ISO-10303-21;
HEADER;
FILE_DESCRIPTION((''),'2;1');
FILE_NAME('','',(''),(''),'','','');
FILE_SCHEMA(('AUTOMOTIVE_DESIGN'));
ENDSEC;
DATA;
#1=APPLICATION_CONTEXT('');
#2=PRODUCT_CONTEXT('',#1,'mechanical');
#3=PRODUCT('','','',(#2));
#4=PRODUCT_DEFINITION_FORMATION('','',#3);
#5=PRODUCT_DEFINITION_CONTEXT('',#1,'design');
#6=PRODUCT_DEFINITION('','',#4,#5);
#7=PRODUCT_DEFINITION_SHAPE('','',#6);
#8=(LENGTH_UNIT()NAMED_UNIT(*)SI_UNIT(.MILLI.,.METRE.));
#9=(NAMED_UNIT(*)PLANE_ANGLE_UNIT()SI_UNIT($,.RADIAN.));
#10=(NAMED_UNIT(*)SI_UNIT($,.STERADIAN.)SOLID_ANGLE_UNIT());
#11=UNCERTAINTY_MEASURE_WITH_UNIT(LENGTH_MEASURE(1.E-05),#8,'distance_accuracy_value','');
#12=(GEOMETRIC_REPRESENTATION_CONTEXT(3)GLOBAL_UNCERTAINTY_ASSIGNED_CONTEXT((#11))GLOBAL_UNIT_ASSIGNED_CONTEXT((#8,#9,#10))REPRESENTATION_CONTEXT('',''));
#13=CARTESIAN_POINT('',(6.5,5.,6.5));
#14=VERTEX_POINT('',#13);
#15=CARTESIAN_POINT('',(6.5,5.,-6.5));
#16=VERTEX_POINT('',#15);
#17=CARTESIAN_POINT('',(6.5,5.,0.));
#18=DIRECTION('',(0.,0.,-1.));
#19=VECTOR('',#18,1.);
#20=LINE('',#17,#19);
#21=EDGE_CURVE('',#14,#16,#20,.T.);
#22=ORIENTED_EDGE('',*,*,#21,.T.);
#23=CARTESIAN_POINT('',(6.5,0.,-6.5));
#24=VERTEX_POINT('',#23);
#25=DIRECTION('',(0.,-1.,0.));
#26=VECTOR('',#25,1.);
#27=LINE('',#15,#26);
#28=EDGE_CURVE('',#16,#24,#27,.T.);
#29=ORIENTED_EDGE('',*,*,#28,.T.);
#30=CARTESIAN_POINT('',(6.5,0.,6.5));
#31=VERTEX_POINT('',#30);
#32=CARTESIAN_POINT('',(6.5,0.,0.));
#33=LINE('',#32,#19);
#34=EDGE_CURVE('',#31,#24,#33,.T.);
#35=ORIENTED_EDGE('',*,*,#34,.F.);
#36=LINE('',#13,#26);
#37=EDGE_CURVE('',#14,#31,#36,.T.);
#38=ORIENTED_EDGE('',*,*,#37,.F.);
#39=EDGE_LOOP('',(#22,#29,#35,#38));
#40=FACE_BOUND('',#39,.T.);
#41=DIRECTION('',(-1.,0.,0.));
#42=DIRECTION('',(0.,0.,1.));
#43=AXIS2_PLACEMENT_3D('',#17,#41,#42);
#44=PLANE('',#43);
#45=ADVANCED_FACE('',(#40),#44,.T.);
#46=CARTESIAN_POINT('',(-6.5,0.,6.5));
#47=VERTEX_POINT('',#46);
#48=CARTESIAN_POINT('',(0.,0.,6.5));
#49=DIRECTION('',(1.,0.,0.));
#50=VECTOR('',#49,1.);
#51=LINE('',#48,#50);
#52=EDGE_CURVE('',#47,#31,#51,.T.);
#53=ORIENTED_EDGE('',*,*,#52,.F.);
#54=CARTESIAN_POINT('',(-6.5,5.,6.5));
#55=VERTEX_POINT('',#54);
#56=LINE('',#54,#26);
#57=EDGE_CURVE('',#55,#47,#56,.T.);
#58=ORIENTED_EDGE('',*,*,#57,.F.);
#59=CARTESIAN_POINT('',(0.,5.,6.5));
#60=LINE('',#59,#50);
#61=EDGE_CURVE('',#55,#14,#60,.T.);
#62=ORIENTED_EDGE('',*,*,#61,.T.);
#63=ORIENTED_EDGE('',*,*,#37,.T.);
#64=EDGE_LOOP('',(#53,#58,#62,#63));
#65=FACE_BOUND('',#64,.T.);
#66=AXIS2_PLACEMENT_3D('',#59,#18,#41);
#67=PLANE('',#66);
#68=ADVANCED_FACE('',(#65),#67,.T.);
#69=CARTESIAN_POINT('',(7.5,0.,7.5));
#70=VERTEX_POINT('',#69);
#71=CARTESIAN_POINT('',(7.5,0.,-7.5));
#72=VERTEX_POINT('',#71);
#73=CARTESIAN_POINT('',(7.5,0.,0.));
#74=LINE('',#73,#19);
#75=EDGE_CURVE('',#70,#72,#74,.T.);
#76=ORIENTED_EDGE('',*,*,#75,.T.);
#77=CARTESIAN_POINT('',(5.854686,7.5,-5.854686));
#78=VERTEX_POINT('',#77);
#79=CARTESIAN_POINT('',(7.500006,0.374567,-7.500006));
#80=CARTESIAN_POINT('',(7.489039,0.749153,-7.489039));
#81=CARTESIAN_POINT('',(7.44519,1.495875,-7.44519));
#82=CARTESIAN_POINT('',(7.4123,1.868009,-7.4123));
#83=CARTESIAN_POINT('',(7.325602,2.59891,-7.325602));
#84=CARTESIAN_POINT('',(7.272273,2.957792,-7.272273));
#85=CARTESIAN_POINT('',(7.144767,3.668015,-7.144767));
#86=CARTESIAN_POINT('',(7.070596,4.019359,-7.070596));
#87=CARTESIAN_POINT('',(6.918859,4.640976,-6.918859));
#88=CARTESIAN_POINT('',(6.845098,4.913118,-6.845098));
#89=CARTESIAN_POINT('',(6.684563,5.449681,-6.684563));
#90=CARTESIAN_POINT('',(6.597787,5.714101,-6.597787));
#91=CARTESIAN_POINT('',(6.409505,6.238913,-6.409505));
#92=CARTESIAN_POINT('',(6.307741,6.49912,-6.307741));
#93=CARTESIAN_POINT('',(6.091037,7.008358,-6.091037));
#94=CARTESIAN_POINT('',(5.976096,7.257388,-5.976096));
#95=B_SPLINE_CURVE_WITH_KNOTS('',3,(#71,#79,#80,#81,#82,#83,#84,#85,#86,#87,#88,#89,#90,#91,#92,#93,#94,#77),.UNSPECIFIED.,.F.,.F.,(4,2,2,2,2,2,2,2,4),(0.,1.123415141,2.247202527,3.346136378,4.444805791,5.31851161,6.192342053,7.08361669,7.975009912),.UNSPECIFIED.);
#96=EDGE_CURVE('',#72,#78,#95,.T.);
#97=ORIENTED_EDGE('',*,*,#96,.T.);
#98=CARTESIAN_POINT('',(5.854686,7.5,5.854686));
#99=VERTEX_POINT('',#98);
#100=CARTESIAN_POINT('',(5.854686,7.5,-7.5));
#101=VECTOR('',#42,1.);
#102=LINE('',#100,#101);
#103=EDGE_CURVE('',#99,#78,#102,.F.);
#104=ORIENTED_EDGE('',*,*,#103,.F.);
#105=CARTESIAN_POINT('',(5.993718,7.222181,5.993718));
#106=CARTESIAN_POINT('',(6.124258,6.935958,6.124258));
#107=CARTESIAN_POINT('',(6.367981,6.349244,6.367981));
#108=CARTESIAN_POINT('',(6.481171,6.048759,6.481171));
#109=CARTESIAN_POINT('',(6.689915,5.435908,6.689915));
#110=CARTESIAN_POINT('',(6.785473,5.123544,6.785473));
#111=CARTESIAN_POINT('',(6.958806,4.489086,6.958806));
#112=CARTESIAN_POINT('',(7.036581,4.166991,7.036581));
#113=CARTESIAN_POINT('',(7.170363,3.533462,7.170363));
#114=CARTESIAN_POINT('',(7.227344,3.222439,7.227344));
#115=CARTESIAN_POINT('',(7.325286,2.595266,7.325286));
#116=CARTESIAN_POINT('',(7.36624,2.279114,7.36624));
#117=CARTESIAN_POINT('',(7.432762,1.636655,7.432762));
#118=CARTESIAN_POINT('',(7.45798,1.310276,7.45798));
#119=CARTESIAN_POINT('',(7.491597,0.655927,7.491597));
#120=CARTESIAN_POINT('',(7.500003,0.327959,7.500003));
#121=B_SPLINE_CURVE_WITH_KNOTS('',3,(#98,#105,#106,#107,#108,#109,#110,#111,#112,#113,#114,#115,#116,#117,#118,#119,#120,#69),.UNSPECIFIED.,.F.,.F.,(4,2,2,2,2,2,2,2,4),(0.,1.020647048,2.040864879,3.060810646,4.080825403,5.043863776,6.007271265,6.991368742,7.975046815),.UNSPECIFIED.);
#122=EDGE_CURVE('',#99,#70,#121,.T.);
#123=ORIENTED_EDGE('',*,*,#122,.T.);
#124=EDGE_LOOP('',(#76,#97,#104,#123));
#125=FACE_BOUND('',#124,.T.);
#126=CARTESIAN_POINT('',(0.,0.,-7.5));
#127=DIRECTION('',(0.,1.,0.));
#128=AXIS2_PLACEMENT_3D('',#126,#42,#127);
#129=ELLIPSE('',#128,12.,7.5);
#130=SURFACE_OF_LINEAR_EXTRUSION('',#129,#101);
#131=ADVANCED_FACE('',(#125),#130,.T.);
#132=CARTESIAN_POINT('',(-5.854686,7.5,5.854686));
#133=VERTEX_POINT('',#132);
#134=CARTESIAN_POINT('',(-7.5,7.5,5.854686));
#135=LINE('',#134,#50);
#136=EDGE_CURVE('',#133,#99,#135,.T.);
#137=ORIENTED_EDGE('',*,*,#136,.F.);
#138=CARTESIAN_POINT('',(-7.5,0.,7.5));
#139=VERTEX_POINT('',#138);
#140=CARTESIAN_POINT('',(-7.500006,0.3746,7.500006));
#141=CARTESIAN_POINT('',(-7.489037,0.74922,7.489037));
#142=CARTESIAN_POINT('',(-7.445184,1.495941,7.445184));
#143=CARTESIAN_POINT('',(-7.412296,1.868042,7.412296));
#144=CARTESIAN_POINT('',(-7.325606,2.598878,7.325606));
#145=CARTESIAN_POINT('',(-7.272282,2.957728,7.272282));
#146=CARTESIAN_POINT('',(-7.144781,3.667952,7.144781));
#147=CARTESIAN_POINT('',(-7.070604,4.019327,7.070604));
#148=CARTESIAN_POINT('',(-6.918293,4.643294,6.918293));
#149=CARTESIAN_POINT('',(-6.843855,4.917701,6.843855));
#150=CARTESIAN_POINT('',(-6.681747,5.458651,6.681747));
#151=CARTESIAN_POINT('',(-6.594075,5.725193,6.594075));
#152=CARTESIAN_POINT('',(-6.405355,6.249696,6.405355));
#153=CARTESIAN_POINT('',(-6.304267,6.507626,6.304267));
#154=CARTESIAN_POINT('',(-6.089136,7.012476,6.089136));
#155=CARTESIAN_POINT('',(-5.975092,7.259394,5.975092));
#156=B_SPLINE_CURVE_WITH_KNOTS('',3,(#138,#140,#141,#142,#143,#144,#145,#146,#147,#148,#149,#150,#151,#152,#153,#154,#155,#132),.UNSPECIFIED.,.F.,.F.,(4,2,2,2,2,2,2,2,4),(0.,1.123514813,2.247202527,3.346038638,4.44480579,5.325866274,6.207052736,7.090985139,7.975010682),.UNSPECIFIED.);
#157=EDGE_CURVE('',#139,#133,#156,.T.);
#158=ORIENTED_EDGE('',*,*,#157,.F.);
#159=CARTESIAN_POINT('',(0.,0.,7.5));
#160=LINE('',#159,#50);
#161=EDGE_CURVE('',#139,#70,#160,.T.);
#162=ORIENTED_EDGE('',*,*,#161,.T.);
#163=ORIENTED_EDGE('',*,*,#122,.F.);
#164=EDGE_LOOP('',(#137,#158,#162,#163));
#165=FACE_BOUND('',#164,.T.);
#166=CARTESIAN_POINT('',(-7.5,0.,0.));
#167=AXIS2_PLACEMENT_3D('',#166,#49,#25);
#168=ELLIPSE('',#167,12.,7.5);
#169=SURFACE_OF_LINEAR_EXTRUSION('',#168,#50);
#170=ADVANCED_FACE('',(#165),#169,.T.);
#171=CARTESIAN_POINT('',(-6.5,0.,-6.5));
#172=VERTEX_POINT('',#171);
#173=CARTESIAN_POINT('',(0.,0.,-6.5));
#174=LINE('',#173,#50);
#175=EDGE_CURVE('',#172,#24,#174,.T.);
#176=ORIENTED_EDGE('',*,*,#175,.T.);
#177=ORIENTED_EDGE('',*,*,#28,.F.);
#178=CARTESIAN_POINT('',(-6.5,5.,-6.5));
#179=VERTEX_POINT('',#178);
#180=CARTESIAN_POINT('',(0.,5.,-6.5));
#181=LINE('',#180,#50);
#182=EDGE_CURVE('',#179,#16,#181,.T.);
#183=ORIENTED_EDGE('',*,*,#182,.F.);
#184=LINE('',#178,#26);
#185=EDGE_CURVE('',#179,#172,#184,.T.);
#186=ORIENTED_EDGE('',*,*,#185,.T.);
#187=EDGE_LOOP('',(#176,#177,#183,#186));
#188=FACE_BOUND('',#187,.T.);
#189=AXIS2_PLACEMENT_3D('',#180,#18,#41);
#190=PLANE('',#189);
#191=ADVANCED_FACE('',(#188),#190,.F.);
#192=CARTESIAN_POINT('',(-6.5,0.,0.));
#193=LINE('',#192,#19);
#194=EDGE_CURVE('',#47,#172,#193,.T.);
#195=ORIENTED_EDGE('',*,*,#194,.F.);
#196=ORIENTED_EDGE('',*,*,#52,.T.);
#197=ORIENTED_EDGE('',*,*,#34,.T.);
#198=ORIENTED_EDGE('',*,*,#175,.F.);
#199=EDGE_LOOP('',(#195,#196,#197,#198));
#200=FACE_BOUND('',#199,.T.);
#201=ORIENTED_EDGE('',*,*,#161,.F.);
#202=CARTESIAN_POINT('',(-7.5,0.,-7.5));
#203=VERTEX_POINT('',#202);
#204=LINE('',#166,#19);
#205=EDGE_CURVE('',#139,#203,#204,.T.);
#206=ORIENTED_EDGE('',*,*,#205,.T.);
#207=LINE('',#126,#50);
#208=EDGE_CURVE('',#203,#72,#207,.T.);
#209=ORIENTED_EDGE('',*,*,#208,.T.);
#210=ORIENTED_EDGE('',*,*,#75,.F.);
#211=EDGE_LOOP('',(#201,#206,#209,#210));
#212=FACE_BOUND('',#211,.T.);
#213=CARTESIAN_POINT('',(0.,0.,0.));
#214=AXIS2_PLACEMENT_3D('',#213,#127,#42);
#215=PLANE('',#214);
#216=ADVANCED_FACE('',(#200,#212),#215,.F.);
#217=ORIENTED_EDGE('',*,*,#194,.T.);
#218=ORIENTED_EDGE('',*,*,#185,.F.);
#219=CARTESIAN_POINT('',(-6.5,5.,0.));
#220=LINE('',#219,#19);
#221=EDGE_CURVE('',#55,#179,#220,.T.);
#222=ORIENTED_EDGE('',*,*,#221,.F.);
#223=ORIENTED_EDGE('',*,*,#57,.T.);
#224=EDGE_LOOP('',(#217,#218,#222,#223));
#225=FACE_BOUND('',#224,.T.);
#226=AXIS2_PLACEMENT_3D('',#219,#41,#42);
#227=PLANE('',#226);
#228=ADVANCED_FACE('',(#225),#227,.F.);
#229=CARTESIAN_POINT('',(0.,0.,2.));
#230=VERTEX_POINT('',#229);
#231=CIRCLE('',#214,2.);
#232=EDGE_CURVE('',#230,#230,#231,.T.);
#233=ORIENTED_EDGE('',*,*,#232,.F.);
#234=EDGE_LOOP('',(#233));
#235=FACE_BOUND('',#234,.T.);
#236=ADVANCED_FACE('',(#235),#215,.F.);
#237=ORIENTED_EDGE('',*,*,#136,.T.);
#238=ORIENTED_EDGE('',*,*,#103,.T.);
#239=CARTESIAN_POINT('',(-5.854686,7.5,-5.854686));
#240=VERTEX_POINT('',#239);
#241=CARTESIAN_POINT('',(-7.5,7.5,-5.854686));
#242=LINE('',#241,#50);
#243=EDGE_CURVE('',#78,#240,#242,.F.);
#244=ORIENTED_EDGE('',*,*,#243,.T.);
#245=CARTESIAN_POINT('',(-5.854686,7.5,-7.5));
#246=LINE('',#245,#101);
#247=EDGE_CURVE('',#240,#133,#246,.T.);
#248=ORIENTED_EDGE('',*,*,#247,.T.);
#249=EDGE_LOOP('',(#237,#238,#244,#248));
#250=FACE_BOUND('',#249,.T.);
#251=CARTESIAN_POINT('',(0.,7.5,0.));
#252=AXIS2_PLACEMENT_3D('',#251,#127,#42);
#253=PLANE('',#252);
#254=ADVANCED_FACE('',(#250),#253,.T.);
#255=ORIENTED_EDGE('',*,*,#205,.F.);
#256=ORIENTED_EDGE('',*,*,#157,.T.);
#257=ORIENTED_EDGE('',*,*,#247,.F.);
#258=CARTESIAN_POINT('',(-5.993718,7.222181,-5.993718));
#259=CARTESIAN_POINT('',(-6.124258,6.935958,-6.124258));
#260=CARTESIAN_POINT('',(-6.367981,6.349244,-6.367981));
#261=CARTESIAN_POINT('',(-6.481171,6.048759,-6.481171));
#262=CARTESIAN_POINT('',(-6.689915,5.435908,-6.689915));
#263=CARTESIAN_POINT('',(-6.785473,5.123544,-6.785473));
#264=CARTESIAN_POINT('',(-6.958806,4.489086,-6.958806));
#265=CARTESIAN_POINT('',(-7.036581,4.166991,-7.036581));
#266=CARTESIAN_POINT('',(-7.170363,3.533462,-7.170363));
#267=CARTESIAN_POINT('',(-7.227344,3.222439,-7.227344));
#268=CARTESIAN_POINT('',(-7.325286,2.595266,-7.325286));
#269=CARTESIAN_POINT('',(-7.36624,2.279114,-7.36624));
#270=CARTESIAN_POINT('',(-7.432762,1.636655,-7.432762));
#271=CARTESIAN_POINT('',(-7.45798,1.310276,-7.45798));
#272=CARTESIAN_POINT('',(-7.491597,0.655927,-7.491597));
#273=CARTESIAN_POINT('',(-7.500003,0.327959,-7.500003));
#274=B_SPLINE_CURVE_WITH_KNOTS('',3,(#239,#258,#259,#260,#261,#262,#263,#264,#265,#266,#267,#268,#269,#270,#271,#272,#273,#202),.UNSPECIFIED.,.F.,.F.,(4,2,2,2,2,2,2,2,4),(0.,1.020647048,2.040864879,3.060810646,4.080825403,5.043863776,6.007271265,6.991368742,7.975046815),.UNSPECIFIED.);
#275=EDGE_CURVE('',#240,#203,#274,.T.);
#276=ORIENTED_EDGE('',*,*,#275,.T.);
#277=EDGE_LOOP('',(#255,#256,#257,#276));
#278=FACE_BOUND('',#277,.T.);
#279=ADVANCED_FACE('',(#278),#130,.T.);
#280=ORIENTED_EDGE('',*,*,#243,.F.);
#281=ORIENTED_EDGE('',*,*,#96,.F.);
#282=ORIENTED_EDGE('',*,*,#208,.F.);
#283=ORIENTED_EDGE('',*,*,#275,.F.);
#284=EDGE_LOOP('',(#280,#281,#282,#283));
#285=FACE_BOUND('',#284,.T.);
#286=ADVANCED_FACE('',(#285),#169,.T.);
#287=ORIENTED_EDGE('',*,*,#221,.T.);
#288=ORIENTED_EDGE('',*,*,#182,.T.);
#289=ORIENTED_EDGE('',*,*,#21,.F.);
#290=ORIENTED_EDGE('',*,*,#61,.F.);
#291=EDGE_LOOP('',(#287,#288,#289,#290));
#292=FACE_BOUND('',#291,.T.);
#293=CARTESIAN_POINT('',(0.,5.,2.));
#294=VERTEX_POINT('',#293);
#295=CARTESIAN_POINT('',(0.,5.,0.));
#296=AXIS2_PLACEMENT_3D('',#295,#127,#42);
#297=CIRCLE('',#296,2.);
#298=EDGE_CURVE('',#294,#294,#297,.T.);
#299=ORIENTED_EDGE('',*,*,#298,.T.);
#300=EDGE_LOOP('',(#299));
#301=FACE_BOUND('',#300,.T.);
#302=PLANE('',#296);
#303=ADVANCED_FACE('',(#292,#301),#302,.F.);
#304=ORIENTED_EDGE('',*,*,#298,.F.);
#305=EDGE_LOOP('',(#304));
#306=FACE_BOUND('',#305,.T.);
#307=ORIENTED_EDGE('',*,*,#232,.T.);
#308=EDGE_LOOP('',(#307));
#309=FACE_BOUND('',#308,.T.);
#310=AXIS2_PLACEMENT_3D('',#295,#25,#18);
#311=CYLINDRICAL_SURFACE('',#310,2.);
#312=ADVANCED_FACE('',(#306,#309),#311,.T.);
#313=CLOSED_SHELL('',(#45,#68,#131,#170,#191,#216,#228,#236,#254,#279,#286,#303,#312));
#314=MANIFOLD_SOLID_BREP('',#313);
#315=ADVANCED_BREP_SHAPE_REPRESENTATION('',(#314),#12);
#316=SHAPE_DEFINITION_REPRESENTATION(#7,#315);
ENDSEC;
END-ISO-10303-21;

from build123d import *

# Parameters (mm, degrees)
SKETCH1_W               = 15
SKETCH1_H               = 15
BOSS_EXTRUDE1_DEPTH     = 7.5
CUT_EXTRUDE1_DEPTH      = 13.990381057
CUT_EXTRUDE1_DEPTH_BACK = 13.990381057
CUT_EXTRUDE2_DEPTH      = 13.99038123
CUT_EXTRUDE2_DEPTH_BACK = 13.99038123
SKETCH1_3_W             = 13
SKETCH1_3_H             = 13
SKETCH1_3_R             = 2
CUT_EXTRUDE3_DEPTH      = 5


with BuildPart() as part:
    # Sketch1 → Boss-Extrude1 (new body)
    with BuildSketch(Plane(origin=(0, 0, 0), x_dir=(1, 0, 0), z_dir=(0, 1, 0))):
        Rectangle(SKETCH1_W, SKETCH1_H)
    extrude(amount=BOSS_EXTRUDE1_DEPTH)

    # Sketch2 → Cut-Extrude1 (cut, two sides: drawn at the far end of the back side and taken through both)
    with BuildSketch(Plane.XY.offset(-CUT_EXTRUDE1_DEPTH_BACK)):
        with BuildLine():
            Line((-10, 12), (-10, 0))
            Line((-10, 0), (-7.5, 0))
            add(Edge.make_bspline(
                [(0, 12), (-7.5, 12), (-7.5, 0)],
                knots=[0, 0, 0, 1.570796327, 1.570796327, 1.570796327], degree=2, weights=[1, 0.707106781, 1]))
            Line((0, 12), (-10, 12))
        make_face()
        with BuildLine():
            add(Edge.make_bspline(
                [(7.5, 0), (7.5, 12), (0, 12)],
                knots=[4.71238898, 4.71238898, 4.71238898, 6.283185307, 6.283185307, 6.283185307], degree=2, weights=[1, 0.707106781, 1]))
            Line((7.5, 0), (10, 0))
            Line((10, 0), (10, 12))
            Line((10, 12), (0, 12))
        make_face()
    extrude(amount=CUT_EXTRUDE1_DEPTH + CUT_EXTRUDE1_DEPTH_BACK, mode=Mode.SUBTRACT)

    # Sketch3 → Cut-Extrude2 (cut, two sides: drawn at the far end of the back side and taken through both)
    with BuildSketch(Plane(origin=(0, 0, 0), x_dir=(0, 0, -1), z_dir=(1, 0, 0)).offset(-CUT_EXTRUDE2_DEPTH_BACK)):
        with BuildLine():
            Line((7.5, 0), (10, 0))
            Line((10, 0), (10, 12))
            Line((10, 12), (0, 12))
            add(Edge.make_bspline(
                [(7.5, 0), (7.5, 12), (0, 12)],
                knots=[1.570796327, 1.570796327, 1.570796327, 3.141592654, 3.141592654, 3.141592654], degree=2, weights=[1, 0.707106781, 1]))
        make_face()
        with BuildLine():
            Line((-10, 0), (-7.5, 0))
            add(Edge.make_bspline(
                [(0, 12), (-7.5, 12), (-7.5, 0)],
                knots=[3.141592654, 3.141592654, 3.141592654, 4.71238898, 4.71238898, 4.71238898], degree=2, weights=[1, 0.707106781, 1]))
            Line((0, 12), (-10, 12))
            Line((-10, 12), (-10, 0))
        make_face()
    extrude(amount=CUT_EXTRUDE2_DEPTH + CUT_EXTRUDE2_DEPTH_BACK, mode=Mode.SUBTRACT)

    # Sketch1<3> → Cut-Extrude3 (cut)
    with BuildSketch(Plane(origin=(0, 0, 0), x_dir=(1, 0, 0), z_dir=(0, 1, 0))):
        Rectangle(SKETCH1_3_W, SKETCH1_3_H)
        Circle(SKETCH1_3_R, mode=Mode.SUBTRACT)
    extrude(amount=CUT_EXTRUDE3_DEPTH, mode=Mode.SUBTRACT)


solid = part.part
